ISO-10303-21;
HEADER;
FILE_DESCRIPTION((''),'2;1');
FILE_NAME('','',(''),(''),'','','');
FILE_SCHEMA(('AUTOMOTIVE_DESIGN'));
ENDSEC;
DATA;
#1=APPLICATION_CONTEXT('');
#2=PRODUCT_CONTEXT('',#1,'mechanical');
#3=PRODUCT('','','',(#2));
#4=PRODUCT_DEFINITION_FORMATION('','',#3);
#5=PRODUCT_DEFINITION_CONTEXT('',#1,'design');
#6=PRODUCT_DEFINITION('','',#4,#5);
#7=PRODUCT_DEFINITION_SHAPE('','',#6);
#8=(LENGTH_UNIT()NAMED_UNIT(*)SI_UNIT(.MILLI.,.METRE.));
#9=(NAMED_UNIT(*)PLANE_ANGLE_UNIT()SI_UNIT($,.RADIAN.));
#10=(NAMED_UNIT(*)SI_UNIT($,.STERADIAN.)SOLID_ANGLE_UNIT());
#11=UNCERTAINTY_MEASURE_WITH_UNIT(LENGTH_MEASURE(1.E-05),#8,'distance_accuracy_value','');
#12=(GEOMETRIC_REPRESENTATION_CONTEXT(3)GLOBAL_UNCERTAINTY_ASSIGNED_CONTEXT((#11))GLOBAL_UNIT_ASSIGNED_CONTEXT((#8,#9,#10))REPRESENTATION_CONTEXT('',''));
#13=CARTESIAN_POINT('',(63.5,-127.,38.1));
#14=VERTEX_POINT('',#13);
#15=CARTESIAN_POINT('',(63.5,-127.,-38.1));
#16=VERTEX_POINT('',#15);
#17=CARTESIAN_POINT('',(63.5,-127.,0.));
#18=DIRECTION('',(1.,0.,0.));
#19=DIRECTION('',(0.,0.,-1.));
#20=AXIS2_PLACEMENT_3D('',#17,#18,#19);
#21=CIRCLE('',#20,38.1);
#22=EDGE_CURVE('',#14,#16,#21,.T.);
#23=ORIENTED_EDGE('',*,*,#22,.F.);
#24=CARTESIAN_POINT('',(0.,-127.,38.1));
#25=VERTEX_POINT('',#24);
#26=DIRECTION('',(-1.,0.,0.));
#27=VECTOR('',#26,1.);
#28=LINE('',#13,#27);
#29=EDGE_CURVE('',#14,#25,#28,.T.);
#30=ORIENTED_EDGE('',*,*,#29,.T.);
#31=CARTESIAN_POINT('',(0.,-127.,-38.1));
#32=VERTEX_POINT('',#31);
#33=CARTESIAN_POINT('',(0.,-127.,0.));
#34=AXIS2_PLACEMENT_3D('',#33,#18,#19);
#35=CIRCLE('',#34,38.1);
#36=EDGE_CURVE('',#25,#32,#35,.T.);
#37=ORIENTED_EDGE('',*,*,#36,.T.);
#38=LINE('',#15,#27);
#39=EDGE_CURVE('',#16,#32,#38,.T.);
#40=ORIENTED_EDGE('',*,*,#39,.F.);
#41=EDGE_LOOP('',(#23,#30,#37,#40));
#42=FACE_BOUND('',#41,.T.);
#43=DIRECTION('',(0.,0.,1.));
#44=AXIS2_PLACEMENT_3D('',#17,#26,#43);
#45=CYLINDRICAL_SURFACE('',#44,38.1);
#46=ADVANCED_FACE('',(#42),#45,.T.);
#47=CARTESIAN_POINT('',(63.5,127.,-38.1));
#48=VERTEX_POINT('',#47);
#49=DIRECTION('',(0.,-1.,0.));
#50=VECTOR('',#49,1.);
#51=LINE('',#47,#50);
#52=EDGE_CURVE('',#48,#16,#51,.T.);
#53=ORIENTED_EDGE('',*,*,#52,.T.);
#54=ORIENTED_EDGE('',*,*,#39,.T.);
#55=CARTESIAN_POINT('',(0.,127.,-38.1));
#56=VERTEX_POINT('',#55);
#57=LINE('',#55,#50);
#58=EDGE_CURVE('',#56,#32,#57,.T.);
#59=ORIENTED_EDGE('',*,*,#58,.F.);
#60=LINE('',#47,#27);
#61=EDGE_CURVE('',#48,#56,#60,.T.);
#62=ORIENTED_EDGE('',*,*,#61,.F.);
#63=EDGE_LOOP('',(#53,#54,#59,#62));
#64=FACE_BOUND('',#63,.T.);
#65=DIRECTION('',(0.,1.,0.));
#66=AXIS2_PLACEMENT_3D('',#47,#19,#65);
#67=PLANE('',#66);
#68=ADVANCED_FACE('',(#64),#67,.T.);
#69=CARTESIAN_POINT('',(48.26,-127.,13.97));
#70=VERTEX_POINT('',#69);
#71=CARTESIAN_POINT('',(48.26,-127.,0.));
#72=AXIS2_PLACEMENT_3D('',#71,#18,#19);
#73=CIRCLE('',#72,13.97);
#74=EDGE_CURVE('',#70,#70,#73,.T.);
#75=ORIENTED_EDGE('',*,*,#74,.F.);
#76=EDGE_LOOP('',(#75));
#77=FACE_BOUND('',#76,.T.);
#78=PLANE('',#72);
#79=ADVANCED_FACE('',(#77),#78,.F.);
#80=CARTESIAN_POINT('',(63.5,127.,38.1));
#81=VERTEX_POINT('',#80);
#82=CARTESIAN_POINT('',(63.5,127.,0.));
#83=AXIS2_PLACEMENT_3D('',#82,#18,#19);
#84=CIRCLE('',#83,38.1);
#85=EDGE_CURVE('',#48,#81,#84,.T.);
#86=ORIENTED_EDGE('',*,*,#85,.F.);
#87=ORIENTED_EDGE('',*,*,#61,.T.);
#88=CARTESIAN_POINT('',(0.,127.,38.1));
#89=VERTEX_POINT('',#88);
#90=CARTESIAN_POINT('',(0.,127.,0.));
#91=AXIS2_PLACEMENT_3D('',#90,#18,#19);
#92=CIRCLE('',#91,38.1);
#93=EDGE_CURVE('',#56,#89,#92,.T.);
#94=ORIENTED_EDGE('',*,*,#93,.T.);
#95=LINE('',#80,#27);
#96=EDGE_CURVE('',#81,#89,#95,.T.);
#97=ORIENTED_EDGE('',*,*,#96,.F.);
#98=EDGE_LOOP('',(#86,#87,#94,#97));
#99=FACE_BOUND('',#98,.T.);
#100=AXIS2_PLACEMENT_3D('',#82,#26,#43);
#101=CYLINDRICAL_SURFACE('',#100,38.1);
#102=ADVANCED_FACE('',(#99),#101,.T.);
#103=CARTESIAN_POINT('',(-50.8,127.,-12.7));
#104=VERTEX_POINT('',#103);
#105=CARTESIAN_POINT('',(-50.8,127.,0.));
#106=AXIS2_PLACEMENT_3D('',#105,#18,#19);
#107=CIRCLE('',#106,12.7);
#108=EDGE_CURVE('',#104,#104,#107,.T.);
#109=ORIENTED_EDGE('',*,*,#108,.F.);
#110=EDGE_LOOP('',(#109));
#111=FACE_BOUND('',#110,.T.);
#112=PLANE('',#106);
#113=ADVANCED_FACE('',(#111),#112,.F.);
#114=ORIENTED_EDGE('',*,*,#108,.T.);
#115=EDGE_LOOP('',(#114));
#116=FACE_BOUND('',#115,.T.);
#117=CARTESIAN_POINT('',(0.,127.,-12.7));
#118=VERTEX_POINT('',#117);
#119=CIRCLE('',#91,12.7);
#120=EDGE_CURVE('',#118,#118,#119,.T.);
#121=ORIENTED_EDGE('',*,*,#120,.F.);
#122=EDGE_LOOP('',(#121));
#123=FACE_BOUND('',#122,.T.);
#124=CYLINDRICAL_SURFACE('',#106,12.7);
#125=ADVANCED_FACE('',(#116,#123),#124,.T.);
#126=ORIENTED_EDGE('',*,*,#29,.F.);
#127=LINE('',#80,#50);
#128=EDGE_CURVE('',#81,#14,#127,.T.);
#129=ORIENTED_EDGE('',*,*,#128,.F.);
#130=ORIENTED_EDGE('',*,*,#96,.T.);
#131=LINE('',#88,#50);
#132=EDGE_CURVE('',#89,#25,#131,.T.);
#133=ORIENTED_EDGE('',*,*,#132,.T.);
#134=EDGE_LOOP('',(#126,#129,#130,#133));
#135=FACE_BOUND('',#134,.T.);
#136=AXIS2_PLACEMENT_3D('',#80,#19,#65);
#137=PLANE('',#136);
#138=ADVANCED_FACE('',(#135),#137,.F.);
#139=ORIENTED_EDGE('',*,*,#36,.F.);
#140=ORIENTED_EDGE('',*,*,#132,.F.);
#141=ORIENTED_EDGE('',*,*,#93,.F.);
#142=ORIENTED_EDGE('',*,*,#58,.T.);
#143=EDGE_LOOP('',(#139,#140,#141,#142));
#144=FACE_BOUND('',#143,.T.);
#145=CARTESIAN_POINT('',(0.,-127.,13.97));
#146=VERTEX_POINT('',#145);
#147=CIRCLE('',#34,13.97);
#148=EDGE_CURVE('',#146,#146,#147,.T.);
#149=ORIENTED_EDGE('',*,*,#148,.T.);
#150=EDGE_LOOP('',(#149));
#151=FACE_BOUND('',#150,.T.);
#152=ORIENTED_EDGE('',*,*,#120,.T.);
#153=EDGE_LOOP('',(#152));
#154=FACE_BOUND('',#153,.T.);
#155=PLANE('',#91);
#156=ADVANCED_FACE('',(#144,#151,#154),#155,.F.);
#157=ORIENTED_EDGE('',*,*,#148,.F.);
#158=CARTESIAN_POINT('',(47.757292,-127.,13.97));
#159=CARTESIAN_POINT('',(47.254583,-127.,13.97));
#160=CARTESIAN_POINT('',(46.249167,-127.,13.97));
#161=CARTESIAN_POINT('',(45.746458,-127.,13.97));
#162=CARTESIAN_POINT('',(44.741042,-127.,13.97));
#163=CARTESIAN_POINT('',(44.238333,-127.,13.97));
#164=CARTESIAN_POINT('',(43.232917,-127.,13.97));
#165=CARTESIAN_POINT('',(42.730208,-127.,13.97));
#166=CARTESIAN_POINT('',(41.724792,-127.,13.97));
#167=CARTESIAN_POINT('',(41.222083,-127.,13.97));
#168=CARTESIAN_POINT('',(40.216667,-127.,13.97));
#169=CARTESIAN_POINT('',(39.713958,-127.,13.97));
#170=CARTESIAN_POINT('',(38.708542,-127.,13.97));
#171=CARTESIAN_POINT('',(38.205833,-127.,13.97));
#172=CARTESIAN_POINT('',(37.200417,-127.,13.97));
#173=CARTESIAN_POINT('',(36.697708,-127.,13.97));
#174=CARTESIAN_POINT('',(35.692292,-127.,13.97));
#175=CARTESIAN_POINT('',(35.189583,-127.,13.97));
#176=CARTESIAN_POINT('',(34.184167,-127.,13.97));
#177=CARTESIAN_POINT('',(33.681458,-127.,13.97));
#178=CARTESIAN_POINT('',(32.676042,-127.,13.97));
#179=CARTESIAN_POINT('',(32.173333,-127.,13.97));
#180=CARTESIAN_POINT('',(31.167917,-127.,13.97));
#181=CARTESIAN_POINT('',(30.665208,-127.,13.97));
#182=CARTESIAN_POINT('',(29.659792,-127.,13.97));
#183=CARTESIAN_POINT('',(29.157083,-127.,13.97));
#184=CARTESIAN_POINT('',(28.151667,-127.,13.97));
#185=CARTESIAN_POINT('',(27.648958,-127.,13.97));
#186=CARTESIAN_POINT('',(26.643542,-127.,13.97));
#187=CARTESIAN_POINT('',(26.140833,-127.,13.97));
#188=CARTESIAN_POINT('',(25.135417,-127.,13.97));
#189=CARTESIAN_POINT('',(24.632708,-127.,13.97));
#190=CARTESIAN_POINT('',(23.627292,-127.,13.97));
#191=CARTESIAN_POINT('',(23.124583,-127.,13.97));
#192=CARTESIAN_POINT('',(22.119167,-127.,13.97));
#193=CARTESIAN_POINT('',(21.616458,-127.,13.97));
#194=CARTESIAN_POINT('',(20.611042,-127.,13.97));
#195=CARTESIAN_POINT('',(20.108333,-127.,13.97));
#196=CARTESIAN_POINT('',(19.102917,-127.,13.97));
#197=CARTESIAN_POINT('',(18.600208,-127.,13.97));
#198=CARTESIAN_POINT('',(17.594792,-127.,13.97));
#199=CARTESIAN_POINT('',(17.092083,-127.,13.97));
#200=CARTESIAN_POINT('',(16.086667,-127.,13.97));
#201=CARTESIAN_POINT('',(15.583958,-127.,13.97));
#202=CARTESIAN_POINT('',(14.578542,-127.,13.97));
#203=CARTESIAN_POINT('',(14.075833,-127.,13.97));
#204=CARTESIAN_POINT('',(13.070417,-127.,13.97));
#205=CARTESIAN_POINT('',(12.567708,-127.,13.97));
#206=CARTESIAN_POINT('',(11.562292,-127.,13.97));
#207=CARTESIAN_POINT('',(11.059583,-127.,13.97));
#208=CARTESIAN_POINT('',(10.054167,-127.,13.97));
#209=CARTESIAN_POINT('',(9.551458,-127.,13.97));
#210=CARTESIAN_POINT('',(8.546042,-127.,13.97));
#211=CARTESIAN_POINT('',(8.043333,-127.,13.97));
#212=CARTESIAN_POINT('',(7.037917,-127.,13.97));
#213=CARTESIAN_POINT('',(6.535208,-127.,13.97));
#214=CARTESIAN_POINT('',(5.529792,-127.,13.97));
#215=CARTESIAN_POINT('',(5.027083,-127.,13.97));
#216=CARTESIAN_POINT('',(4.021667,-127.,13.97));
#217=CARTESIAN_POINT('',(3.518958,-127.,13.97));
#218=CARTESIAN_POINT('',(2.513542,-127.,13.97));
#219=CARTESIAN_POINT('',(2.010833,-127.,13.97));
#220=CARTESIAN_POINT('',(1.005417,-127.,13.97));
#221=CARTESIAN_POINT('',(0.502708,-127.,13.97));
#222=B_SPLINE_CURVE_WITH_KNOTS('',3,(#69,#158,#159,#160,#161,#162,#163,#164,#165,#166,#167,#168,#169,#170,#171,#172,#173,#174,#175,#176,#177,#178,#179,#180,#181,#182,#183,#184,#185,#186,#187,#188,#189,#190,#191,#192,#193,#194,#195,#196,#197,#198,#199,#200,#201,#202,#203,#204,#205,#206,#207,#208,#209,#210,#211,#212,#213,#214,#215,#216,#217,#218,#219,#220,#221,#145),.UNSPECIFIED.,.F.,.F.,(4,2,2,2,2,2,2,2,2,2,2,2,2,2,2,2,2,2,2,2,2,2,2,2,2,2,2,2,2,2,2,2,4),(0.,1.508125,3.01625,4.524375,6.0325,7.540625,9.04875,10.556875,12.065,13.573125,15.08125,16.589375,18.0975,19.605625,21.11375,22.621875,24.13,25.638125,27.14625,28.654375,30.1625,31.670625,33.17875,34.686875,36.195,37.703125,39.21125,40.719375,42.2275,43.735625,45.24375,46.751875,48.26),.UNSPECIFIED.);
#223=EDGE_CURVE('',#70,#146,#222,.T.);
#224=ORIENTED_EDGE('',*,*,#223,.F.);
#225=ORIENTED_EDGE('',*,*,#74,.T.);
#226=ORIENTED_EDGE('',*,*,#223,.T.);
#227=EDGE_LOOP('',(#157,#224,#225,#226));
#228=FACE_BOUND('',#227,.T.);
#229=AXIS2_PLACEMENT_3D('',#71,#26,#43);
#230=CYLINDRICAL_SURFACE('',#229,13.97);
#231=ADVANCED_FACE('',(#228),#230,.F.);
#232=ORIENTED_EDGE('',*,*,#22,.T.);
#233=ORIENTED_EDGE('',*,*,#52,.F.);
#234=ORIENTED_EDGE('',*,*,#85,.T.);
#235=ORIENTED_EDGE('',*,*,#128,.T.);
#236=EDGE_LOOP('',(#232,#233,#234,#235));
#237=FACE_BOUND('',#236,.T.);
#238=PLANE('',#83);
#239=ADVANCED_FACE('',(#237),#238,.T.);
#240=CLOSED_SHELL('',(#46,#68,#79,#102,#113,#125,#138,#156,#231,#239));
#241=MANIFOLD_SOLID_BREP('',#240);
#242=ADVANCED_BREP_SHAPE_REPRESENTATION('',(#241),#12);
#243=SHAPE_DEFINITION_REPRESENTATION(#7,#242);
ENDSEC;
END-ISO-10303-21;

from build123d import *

# Parameters (mm, degrees)
BOSS_EXTRUDE1_DEPTH = 63.5
SKETCH2_R           = 13.97
CUT_EXTRUDE1_DEPTH  = 48.26
SKETCH3_R           = 12.7
BOSS_EXTRUDE2_DEPTH = 50.8


with BuildPart() as part:
    # Sketch1 → Boss-Extrude1 (new body)
    with BuildSketch(Plane(origin=(0, 0, 0), x_dir=(0, 0, -1), z_dir=(1, 0, 0))):
        with BuildLine():
            Line((38.1, 127), (38.1, -127))
            ThreePointArc((38.1, -127), (0, -165.1), (-38.1, -127))
            Line((-38.1, -127), (-38.1, 127))
            ThreePointArc((-38.1, 127), (0, 165.1), (38.1, 127))
        make_face()
    extrude(amount=BOSS_EXTRUDE1_DEPTH)

    # Sketch2 → Cut-Extrude1 (cut)
    with BuildSketch(Plane(origin=(0, 0, 0), x_dir=(0, 0, -1), z_dir=(1, 0, 0))):
        with Locations(Location((0, -127, 0), (0, 0, 180))):
            Circle(SKETCH2_R)
    extrude(amount=CUT_EXTRUDE1_DEPTH, mode=Mode.SUBTRACT)

    # Sketch3 → Boss-Extrude2 (add)
    with BuildSketch(Plane(origin=(0, 0, 0), x_dir=(0, 0, -1), z_dir=(1, 0, 0))):
        with Locations((0, 127)):
            Circle(SKETCH3_R)
    extrude(amount=-BOSS_EXTRUDE2_DEPTH)


solid = part.part
